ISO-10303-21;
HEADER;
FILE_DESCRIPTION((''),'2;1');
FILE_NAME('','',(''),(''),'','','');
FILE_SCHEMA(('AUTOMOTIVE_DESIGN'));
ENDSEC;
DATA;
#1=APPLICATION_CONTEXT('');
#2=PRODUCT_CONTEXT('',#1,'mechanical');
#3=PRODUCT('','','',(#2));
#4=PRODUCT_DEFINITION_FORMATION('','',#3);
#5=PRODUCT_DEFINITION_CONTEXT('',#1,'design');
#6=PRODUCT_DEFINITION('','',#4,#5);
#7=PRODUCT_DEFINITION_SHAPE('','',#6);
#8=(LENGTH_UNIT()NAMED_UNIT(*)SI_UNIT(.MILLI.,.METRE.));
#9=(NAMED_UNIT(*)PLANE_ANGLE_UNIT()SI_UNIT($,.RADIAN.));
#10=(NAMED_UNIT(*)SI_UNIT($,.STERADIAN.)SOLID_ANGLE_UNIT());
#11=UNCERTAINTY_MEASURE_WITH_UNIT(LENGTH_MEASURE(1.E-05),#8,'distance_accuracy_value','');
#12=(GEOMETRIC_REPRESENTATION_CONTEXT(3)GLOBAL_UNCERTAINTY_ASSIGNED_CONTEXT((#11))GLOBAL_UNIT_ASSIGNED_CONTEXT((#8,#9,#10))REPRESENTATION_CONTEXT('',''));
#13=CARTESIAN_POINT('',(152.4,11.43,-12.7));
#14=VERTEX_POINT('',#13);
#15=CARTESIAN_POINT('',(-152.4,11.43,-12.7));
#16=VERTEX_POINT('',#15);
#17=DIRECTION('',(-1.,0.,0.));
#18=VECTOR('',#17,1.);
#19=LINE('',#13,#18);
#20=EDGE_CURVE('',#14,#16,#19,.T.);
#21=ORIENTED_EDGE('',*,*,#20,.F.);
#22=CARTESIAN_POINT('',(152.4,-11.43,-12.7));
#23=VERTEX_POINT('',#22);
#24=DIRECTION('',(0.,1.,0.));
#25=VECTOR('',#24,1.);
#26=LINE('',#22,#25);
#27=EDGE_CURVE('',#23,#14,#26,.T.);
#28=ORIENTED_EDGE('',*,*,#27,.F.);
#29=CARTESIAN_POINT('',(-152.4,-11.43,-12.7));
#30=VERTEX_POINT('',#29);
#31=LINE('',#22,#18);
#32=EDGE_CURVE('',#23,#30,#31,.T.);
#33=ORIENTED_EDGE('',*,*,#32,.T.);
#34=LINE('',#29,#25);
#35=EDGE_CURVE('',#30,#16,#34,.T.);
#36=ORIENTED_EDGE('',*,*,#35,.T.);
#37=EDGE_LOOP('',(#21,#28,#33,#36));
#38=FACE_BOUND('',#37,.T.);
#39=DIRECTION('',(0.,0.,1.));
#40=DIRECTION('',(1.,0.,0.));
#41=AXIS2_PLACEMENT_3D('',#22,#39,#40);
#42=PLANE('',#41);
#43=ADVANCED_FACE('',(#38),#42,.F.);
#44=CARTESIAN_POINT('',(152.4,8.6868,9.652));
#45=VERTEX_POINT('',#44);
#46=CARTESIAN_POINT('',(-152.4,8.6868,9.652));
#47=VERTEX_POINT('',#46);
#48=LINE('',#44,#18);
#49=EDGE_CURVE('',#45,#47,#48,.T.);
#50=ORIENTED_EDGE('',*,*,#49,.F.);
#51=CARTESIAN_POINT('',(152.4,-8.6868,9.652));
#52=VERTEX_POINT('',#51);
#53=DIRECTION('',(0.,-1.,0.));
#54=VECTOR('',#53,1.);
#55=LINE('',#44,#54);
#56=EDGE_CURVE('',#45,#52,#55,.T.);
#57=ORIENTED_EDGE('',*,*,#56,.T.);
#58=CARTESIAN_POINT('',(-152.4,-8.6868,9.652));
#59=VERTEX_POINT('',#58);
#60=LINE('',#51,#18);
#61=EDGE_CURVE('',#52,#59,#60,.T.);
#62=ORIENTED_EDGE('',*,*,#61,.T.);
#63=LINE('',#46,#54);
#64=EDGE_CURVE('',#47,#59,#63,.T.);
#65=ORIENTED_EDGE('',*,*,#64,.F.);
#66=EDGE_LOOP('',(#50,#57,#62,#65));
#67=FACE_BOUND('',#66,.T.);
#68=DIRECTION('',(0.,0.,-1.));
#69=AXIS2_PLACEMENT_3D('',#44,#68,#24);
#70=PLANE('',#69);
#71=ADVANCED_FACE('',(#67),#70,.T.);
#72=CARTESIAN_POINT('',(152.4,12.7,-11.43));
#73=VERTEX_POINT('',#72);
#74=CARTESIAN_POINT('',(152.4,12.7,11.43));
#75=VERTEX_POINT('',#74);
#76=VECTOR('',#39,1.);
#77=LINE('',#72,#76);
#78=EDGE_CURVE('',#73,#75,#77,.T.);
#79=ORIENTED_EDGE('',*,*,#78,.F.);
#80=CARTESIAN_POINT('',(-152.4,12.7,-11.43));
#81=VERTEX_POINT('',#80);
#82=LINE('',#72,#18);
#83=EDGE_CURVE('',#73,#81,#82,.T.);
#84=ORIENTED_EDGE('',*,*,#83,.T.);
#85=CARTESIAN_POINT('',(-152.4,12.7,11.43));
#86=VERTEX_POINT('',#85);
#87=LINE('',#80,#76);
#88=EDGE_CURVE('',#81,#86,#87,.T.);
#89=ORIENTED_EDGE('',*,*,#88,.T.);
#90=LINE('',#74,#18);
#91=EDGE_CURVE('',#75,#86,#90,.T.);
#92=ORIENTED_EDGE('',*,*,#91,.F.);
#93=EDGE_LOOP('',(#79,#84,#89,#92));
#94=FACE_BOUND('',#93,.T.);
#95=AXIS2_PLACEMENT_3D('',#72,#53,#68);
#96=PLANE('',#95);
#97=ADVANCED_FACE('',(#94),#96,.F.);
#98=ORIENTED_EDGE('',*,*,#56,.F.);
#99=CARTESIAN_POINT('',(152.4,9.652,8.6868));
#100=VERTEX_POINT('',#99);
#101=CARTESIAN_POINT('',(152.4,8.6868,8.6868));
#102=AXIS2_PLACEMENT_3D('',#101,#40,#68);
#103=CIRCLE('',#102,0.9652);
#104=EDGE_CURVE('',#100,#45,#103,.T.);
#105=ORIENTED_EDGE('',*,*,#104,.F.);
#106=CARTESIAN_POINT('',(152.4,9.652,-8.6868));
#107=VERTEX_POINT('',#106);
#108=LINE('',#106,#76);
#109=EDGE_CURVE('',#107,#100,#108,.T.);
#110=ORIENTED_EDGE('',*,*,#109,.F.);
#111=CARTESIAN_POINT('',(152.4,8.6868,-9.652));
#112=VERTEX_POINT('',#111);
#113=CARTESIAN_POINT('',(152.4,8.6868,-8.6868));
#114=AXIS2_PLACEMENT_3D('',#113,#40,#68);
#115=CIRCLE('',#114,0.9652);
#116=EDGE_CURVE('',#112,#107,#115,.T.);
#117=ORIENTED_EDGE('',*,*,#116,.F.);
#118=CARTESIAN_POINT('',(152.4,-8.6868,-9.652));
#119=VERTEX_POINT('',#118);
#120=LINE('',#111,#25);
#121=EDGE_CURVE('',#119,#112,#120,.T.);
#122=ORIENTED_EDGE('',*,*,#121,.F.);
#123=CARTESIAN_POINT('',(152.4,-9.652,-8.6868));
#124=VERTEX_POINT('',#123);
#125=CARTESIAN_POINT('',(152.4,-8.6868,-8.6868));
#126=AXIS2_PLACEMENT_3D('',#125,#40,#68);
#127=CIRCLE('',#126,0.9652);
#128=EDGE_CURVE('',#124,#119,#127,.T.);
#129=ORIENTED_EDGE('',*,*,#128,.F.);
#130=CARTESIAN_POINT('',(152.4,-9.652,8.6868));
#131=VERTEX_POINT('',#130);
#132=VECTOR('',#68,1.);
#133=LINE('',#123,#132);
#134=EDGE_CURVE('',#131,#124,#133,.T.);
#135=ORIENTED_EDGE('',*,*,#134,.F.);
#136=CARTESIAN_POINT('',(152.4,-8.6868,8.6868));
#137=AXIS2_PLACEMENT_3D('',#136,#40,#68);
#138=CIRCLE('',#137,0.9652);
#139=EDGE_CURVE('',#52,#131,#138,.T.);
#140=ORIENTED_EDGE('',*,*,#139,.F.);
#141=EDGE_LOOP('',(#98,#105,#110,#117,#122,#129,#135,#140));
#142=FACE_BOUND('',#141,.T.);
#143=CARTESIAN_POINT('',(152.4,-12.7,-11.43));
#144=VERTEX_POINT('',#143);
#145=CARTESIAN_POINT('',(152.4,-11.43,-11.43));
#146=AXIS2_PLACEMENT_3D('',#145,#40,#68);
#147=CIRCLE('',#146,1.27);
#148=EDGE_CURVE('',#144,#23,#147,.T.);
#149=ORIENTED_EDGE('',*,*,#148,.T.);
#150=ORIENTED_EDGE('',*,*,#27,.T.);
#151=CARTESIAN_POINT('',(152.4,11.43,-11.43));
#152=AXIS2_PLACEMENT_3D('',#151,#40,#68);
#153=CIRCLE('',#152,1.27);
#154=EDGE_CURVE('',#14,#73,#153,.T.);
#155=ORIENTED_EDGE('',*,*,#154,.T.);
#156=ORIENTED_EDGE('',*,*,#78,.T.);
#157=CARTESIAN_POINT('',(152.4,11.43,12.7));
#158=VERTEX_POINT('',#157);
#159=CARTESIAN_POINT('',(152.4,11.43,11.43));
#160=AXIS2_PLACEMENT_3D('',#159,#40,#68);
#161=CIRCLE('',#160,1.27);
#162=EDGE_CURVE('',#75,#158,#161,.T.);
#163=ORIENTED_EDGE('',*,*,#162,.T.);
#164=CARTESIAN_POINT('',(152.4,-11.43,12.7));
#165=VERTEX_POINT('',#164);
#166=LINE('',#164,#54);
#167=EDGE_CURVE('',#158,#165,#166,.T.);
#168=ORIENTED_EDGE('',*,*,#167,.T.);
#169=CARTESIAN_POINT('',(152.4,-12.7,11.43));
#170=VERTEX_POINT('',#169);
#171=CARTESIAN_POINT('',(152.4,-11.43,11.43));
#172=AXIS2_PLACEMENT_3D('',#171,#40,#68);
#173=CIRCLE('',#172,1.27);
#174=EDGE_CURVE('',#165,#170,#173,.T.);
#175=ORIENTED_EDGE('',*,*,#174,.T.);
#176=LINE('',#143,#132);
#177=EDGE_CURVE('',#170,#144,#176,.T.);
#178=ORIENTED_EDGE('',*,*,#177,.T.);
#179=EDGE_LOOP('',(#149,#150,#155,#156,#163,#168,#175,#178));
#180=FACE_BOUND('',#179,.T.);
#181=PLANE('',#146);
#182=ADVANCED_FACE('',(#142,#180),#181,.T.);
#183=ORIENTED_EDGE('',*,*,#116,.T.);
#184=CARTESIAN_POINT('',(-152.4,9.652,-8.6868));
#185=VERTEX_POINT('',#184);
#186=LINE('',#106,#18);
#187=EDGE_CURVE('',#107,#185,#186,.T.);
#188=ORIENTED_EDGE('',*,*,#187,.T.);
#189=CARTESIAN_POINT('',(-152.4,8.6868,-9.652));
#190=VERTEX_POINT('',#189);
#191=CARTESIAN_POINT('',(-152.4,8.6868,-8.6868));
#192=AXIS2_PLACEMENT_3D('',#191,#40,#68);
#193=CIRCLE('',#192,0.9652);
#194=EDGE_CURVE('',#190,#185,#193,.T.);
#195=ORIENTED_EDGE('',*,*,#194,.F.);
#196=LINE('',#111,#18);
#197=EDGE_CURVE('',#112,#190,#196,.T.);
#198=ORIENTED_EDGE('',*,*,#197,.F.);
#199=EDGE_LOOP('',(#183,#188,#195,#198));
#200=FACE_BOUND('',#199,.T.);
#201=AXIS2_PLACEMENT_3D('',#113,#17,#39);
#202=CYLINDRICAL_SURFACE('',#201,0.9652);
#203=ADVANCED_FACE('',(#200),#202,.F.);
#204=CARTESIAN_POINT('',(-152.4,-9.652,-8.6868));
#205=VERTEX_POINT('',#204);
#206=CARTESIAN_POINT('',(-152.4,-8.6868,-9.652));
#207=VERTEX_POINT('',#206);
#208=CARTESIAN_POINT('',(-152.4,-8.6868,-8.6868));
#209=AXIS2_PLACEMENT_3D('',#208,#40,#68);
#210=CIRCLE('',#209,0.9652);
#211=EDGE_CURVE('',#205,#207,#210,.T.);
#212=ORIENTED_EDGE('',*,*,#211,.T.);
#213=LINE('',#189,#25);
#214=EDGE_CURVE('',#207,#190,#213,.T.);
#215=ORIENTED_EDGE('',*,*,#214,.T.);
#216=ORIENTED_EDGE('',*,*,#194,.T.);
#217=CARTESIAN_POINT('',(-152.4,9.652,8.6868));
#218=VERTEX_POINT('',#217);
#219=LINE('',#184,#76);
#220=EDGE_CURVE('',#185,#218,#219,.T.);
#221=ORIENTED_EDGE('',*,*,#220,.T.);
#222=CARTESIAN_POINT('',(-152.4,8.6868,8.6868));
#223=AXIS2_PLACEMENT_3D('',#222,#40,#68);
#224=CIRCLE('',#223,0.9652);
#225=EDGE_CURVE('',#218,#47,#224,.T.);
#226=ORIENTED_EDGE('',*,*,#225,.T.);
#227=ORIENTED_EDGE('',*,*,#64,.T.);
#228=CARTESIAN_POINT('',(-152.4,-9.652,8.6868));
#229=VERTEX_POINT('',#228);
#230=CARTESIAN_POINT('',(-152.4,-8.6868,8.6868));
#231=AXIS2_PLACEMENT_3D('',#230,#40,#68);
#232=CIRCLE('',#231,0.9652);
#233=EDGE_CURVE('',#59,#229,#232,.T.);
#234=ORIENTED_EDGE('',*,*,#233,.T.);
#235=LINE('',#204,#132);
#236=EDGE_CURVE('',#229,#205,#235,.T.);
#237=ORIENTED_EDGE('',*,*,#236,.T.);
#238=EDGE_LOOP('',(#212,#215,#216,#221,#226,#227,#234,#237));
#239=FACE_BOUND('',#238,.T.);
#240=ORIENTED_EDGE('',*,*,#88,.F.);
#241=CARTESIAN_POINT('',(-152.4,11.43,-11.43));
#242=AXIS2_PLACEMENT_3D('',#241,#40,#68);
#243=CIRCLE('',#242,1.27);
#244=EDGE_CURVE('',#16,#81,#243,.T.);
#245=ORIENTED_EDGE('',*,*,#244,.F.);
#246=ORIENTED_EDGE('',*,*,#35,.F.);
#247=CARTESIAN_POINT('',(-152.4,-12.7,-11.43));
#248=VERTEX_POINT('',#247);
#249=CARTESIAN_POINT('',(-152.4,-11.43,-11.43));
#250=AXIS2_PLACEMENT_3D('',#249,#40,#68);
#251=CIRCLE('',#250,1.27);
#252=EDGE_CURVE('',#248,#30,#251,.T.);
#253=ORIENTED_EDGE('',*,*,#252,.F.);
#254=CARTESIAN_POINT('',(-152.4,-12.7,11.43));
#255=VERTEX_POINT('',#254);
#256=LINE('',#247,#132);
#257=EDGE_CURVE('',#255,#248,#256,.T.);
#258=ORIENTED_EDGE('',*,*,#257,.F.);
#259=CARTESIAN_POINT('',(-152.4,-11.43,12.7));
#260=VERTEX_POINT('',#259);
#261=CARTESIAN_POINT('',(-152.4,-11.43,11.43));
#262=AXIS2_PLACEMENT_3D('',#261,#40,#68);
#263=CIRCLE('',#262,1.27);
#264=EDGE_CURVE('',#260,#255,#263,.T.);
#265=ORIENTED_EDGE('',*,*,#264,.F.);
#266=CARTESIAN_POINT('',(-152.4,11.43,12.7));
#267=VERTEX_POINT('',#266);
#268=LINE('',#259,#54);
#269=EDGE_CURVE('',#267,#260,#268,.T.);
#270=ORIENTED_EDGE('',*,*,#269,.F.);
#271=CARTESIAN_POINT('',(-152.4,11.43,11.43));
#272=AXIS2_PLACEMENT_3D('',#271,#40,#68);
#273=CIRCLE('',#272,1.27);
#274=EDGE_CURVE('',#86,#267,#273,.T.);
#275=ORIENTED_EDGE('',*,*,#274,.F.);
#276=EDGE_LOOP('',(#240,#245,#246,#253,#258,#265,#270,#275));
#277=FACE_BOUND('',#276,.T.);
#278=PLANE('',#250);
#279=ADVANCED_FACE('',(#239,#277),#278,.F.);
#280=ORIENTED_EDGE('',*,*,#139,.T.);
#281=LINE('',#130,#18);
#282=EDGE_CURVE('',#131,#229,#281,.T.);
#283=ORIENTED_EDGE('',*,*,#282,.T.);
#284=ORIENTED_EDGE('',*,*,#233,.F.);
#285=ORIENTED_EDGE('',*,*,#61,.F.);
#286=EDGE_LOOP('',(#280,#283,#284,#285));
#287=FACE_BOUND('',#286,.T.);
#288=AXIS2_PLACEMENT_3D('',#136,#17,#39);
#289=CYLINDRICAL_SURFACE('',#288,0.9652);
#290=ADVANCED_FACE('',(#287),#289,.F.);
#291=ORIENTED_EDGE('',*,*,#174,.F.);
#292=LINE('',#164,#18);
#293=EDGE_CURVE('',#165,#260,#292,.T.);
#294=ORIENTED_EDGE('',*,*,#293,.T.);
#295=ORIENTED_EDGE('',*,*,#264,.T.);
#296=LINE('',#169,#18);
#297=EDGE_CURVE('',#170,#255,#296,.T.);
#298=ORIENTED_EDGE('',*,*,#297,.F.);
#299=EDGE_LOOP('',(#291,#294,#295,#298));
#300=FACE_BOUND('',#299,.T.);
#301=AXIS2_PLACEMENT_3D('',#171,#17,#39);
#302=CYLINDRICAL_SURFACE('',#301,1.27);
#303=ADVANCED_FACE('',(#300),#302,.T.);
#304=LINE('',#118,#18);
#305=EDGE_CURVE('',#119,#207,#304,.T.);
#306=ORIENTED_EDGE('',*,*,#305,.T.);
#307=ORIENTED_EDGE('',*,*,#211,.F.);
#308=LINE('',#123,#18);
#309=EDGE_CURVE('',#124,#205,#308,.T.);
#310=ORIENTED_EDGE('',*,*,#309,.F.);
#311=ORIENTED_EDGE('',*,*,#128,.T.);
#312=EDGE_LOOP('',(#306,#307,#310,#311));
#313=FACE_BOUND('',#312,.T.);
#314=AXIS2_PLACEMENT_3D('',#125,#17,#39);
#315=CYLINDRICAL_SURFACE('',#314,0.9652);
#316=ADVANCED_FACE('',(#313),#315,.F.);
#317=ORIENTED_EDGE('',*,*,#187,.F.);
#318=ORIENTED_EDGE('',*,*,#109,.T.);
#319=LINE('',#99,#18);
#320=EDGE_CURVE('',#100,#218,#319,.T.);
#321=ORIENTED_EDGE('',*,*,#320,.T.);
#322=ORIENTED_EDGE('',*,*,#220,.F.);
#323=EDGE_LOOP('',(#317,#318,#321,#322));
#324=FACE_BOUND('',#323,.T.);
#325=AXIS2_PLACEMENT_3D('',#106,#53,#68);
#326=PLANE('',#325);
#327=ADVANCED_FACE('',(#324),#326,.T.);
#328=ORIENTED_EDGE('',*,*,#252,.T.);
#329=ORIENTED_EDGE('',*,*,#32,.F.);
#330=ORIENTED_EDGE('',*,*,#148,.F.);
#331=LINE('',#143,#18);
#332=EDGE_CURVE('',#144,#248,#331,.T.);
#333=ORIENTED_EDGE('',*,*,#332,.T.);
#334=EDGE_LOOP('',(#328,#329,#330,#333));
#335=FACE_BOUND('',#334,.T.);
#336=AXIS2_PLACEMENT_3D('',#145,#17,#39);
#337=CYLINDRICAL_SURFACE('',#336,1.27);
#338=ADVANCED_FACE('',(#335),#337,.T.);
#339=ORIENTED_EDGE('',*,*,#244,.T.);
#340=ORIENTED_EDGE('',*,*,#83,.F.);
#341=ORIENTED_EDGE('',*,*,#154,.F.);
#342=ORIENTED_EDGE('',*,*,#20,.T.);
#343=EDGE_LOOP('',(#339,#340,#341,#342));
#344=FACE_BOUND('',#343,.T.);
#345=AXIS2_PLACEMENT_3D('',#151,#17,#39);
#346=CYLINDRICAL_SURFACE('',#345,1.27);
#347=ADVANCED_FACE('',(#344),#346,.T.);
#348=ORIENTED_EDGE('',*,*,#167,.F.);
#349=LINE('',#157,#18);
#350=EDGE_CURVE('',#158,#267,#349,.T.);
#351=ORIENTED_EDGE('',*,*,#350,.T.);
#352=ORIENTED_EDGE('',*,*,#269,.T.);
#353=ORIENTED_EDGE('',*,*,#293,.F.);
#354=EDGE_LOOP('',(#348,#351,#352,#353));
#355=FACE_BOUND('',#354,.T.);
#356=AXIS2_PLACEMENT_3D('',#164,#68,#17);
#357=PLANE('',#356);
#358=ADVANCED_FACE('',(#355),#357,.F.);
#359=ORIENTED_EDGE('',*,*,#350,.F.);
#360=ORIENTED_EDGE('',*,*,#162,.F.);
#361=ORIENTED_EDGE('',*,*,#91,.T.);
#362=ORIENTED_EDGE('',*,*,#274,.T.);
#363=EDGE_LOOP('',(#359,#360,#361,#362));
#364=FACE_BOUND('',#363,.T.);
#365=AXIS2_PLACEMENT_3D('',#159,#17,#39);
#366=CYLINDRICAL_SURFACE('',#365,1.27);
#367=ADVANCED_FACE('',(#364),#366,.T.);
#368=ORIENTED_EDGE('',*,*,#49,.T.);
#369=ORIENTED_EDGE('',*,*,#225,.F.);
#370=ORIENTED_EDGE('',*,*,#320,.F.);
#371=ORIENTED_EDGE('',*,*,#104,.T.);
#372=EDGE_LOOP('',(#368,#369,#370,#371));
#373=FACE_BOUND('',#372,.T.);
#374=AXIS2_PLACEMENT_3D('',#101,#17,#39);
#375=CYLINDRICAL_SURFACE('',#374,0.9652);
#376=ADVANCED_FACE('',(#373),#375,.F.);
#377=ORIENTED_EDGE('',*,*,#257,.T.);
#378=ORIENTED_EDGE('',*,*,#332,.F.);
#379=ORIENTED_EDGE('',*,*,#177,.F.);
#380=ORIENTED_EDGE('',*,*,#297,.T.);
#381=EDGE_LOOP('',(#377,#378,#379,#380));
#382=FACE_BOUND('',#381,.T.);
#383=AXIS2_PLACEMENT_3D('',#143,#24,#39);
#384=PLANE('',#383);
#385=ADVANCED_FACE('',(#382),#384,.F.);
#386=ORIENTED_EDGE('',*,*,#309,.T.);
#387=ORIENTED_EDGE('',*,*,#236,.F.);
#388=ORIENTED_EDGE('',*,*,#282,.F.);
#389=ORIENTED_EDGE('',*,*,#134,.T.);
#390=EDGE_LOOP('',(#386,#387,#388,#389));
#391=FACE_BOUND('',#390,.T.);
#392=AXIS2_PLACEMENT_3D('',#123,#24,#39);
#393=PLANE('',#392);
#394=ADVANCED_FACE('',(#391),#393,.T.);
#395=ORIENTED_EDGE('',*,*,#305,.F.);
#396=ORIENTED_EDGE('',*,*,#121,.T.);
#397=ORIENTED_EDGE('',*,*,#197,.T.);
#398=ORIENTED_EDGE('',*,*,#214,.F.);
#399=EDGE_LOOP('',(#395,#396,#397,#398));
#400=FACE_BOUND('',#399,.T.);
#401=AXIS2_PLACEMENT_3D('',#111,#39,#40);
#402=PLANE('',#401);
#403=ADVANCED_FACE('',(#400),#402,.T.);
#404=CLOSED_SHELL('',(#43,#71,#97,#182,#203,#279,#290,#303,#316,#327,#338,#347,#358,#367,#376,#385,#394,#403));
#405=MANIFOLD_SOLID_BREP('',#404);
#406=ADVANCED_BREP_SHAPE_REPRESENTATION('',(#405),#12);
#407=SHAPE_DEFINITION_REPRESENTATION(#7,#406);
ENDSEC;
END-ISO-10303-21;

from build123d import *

# Parameters (mm, degrees)
BOSS_EXTRUDE1_DEPTH      = 152.4
BOSS_EXTRUDE1_DEPTH_BACK = 152.4


with BuildPart() as part:
    # Sketch4 → Boss-Extrude1 (new, two sides: drawn at the far end of the back side and taken through both)
    with BuildSketch(Plane(origin=(0, 0, 0), x_dir=(0, 0, -1), z_dir=(1, 0, 0)).offset(-BOSS_EXTRUDE1_DEPTH_BACK)):
        with BuildLine():
            Line((12.7, -11.43), (12.7, 11.43))
            ThreePointArc((12.7, 11.43), (12.328025612, 12.328025612), (11.43, 12.7))
            Line((11.43, 12.7), (-11.43, 12.7))
            ThreePointArc((-11.43, 12.7), (-12.328025612, 12.328025612), (-12.7, 11.43))
            Line((-12.7, 11.43), (-12.7, -11.43))
            ThreePointArc((-12.7, -11.43), (-12.328025612, -12.328025612), (-11.43, -12.7))
            Line((-11.43, -12.7), (11.43, -12.7))
            ThreePointArc((11.43, -12.7), (12.328025612, -12.328025612), (12.7, -11.43))
        make_face()
        with BuildLine():
            Line((9.652, 8.6868), (9.652, -8.6868))
            ThreePointArc((9.652, -8.6868), (9.369299465, -9.369299465), (8.6868, -9.652))
            Line((8.6868, -9.652), (-8.6868, -9.652))
            ThreePointArc((-8.6868, -9.652), (-9.369299465, -9.369299465), (-9.652, -8.6868))
            Line((-9.652, -8.6868), (-9.652, 8.6868))
            ThreePointArc((-9.652, 8.6868), (-9.369299465, 9.369299465), (-8.6868, 9.652))
            Line((-8.6868, 9.652), (8.6868, 9.652))
            ThreePointArc((8.6868, 9.652), (9.369299465, 9.369299465), (9.652, 8.6868))
        make_face(mode=Mode.SUBTRACT)
    extrude(amount=BOSS_EXTRUDE1_DEPTH + BOSS_EXTRUDE1_DEPTH_BACK)


solid = part.part
